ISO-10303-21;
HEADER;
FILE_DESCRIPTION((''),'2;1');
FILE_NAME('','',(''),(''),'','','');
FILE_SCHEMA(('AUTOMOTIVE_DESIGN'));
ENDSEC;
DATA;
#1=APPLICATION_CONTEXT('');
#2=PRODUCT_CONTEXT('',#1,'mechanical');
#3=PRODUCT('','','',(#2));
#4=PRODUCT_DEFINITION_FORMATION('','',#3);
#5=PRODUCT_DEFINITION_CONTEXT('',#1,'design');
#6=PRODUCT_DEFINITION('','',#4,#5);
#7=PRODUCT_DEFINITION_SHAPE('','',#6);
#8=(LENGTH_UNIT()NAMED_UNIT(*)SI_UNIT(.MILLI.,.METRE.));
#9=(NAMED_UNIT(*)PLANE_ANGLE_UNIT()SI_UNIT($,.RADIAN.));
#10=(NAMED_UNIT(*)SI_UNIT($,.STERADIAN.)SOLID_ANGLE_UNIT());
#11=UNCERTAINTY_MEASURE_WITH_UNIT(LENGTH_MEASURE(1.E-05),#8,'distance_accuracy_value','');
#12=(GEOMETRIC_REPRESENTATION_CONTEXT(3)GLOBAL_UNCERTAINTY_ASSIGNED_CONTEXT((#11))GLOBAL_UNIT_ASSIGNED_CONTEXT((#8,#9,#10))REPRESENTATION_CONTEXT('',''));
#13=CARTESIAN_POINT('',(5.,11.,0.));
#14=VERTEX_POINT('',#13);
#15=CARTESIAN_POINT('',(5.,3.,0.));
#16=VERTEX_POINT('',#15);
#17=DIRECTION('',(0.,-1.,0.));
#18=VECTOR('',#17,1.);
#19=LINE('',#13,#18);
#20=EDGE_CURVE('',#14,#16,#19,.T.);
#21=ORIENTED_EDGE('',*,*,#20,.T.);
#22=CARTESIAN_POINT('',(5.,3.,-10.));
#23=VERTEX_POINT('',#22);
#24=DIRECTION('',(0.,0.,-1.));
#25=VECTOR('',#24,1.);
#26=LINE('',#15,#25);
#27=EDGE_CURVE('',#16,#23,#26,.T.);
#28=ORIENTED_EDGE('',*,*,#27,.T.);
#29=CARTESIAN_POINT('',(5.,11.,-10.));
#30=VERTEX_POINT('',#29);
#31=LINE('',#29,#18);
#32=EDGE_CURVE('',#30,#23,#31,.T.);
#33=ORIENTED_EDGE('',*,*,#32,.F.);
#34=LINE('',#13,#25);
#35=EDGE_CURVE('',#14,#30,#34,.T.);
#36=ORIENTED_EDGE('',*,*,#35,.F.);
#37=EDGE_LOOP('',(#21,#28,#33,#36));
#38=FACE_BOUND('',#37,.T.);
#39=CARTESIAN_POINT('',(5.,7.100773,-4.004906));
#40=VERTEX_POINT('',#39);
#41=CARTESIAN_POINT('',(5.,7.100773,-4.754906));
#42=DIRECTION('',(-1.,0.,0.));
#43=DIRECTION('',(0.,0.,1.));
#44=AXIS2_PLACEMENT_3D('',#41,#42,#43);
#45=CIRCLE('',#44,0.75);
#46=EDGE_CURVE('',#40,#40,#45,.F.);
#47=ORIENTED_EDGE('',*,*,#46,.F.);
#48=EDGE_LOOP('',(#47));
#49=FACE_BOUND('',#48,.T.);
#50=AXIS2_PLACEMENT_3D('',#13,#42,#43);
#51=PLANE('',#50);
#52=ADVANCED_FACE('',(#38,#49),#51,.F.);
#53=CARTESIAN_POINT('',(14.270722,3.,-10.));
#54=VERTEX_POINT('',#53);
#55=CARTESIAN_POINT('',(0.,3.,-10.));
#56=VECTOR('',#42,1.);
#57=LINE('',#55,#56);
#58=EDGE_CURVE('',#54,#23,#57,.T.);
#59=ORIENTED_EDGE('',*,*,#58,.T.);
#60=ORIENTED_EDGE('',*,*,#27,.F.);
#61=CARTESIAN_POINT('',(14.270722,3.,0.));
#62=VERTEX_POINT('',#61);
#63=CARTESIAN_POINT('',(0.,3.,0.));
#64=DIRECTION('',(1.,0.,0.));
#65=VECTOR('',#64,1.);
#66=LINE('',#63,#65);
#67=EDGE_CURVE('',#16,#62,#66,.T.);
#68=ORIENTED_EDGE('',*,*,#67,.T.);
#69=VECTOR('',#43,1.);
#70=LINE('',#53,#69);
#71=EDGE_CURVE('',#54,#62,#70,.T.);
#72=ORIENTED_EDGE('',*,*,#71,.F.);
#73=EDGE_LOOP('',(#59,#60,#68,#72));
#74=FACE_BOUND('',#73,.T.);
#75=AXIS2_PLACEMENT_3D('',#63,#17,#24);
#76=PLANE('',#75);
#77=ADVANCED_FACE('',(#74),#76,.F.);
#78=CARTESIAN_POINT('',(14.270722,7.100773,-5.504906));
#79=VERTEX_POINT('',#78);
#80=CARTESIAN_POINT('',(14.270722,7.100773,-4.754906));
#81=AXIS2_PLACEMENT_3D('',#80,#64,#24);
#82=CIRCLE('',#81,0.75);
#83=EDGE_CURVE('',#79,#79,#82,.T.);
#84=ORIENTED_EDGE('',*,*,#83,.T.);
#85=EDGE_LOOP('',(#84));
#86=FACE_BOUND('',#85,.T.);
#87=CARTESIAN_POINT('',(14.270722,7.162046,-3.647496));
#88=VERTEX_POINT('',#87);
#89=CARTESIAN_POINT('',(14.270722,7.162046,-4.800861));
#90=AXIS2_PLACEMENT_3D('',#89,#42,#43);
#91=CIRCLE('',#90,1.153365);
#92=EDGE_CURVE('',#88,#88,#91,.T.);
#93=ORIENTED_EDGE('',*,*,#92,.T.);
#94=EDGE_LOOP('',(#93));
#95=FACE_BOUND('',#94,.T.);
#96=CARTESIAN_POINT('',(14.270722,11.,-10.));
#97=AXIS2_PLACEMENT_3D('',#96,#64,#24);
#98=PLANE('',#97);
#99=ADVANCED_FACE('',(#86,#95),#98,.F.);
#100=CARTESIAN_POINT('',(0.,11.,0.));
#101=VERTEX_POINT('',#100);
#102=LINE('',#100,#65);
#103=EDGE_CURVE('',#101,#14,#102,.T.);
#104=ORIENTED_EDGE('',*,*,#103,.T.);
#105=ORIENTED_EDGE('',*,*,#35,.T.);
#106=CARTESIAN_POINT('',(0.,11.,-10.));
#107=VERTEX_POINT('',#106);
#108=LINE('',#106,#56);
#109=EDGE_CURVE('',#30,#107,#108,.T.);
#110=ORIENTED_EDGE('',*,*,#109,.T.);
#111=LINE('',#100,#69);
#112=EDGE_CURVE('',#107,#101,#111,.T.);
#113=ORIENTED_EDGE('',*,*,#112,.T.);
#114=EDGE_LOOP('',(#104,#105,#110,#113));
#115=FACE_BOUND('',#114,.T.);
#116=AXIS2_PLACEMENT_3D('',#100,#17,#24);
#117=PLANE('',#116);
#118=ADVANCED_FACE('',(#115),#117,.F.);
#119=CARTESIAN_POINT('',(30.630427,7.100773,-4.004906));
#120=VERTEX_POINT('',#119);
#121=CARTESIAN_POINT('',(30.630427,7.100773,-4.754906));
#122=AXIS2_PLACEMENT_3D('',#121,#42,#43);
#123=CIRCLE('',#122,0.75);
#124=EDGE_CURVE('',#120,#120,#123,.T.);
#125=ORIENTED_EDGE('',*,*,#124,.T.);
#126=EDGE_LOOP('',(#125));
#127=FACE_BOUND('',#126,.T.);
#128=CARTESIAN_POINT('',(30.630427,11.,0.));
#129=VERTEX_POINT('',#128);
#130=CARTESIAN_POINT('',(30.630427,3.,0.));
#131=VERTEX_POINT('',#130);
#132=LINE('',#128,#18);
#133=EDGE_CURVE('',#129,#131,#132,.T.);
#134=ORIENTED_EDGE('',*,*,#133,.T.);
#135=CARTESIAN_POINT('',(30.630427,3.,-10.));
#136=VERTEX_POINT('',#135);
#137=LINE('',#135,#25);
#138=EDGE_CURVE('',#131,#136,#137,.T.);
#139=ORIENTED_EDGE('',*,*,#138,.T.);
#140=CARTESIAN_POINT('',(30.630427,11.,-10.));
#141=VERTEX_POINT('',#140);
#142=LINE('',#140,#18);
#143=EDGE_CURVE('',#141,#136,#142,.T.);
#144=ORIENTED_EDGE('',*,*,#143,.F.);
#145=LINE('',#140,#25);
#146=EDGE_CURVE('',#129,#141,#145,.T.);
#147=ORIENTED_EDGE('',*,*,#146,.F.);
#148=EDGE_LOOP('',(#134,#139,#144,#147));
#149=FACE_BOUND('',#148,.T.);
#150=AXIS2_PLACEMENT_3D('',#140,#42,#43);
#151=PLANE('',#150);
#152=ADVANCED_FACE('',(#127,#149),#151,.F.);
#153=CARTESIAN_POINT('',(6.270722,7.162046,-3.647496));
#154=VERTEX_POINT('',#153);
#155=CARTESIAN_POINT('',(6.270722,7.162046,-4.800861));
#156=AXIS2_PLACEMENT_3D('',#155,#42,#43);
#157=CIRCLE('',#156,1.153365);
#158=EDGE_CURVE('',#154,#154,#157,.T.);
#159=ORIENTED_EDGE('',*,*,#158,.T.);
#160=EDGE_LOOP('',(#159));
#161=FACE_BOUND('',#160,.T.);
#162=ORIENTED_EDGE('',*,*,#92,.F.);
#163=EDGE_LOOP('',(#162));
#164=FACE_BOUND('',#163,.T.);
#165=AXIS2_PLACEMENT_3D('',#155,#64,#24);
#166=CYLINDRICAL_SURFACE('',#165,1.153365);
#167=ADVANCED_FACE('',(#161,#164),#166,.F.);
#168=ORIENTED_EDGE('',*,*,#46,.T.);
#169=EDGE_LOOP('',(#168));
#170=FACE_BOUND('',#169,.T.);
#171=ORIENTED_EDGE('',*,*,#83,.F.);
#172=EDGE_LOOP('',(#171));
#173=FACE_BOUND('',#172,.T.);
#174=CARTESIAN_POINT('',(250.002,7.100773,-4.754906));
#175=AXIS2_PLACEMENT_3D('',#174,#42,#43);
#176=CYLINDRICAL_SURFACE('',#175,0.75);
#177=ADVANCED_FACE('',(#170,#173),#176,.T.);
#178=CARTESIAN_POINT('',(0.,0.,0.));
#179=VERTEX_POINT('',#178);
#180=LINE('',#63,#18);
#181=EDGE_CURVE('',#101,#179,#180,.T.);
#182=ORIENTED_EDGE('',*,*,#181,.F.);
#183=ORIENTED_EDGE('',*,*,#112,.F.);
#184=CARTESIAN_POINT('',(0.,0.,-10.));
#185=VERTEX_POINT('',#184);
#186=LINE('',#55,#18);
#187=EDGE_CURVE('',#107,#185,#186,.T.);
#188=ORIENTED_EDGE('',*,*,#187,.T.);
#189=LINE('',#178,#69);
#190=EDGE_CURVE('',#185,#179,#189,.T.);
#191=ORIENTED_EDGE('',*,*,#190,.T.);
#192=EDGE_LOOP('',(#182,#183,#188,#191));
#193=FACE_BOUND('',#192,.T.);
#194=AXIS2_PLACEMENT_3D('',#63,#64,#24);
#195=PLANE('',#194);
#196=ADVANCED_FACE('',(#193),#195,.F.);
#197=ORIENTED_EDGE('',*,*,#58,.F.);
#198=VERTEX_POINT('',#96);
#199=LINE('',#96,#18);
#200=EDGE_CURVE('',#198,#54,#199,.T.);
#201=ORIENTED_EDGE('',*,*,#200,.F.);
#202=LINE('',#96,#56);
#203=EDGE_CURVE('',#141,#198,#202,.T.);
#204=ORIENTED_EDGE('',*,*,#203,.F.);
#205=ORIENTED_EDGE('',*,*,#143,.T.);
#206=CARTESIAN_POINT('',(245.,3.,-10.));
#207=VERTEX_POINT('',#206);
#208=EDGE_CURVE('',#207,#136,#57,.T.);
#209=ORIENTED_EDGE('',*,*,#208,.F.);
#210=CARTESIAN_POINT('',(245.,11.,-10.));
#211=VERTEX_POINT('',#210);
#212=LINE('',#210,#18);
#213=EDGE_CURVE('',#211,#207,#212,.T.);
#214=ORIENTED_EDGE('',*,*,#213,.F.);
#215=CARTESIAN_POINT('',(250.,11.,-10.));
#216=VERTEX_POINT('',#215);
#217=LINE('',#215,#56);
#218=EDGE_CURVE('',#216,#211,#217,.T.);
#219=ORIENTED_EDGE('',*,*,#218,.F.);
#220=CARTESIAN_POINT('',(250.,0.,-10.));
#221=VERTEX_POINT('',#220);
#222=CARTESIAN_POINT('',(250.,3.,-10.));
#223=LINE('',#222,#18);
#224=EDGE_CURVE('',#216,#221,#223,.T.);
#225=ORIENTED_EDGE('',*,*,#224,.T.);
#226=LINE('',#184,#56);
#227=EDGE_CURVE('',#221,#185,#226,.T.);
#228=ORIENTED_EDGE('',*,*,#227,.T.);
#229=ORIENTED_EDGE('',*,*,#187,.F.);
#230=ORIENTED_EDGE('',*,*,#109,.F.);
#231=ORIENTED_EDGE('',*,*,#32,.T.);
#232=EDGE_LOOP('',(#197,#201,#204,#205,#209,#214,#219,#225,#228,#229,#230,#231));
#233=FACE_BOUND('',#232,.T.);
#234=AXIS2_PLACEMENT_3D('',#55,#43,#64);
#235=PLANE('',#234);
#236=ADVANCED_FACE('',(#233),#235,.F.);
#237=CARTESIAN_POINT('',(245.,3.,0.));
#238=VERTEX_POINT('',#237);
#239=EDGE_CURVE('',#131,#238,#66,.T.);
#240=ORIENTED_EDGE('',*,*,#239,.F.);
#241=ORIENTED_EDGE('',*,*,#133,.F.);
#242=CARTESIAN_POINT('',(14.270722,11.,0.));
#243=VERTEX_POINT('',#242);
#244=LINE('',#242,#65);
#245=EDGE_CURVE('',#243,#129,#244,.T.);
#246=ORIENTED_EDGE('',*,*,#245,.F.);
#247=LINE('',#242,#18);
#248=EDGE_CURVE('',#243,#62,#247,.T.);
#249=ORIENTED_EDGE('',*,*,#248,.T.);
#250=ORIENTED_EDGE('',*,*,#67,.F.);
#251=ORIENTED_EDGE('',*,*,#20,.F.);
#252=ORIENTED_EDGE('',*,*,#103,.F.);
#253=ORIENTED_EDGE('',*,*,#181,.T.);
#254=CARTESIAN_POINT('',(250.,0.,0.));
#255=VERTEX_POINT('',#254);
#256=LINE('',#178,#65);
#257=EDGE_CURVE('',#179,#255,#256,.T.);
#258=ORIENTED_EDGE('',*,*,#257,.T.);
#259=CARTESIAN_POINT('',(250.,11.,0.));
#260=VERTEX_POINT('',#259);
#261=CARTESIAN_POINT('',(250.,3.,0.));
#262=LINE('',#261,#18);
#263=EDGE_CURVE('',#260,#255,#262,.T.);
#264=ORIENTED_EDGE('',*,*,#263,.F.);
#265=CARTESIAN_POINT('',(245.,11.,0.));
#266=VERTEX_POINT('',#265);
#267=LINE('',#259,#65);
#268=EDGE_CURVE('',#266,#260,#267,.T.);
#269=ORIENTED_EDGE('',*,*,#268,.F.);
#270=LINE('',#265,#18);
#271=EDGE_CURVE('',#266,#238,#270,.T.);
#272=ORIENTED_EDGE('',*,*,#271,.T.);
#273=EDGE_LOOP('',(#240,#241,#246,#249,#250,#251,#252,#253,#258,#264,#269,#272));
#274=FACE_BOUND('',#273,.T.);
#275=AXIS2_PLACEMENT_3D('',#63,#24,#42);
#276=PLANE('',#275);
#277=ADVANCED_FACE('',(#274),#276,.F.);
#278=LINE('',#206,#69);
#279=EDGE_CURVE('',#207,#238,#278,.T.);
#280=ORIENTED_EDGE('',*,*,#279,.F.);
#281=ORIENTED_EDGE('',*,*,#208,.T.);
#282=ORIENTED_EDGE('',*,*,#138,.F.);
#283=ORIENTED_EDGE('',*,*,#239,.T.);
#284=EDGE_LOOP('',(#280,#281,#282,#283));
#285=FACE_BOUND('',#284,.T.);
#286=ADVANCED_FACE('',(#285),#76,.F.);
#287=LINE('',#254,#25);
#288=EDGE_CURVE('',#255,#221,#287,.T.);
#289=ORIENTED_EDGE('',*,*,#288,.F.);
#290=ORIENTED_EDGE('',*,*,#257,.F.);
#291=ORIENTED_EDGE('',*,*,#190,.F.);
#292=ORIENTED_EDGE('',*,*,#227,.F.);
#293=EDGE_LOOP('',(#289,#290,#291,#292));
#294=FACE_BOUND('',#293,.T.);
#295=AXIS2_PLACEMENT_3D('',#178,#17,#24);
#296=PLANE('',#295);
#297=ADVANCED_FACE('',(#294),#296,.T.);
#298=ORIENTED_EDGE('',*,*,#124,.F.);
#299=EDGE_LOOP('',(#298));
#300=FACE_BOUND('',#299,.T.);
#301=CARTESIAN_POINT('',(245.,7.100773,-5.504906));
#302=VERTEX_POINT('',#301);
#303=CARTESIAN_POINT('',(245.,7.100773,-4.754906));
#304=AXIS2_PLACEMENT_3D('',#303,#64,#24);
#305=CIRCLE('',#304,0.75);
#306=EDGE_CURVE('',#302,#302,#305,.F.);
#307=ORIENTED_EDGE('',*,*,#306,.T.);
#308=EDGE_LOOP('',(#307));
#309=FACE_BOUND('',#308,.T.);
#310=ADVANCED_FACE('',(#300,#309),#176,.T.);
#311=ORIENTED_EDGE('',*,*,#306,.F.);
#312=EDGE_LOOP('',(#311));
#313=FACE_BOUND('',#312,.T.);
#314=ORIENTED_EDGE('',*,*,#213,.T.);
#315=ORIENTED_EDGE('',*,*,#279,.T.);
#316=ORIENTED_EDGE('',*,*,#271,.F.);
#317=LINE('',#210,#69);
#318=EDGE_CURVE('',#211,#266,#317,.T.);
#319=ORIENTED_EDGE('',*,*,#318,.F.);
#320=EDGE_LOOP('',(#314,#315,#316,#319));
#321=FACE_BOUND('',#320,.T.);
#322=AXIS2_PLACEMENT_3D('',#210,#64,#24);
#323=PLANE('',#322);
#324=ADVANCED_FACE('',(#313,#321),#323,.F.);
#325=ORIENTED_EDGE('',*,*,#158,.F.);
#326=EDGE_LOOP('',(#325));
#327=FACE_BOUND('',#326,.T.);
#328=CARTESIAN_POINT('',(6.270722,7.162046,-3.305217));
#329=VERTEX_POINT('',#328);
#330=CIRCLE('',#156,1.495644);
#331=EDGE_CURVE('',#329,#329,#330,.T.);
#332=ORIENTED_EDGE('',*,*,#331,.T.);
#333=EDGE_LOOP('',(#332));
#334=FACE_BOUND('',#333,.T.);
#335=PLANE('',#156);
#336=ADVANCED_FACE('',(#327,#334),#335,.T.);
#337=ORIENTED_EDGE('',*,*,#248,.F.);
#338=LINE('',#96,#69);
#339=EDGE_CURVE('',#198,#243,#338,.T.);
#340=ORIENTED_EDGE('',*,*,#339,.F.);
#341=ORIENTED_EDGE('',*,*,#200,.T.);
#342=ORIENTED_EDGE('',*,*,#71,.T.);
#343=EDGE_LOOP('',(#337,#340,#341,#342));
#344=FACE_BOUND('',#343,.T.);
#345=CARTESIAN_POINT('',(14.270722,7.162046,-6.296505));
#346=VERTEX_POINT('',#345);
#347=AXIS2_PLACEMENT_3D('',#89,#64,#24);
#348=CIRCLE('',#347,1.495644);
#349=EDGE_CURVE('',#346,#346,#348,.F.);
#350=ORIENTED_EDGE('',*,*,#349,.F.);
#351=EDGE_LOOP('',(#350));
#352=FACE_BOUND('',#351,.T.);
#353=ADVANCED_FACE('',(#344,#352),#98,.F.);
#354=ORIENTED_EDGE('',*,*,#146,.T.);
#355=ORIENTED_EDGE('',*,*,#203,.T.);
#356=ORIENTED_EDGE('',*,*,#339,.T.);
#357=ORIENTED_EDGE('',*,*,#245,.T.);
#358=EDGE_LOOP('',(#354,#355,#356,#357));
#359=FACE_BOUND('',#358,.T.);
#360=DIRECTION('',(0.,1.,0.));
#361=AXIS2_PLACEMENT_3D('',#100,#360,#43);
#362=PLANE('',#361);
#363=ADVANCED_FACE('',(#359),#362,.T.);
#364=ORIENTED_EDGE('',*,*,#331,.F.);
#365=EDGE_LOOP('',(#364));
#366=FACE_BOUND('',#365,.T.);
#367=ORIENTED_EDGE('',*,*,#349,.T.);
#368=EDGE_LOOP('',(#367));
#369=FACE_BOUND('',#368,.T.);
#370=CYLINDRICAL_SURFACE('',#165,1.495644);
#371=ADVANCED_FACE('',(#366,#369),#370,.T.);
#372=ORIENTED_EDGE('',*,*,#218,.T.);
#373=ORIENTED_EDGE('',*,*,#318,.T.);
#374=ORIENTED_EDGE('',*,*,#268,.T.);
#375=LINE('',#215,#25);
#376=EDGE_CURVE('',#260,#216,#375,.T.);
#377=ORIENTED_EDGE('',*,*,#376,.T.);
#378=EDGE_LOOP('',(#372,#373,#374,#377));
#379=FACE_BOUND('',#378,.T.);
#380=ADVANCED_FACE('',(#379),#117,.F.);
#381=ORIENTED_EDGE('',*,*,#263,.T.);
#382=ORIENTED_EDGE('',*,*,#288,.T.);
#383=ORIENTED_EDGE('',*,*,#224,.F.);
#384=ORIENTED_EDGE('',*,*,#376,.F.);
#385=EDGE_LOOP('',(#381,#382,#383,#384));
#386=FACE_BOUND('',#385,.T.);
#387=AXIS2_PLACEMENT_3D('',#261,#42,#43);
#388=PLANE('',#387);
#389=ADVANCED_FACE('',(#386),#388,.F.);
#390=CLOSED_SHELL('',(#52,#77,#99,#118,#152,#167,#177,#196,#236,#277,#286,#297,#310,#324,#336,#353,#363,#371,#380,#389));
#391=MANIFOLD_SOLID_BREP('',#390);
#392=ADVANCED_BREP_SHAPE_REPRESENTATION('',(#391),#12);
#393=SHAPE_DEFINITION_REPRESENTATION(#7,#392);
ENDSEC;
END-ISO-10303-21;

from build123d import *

# Parameters (mm, degrees)
SKETCH2_W           = 250
SKETCH2_H           = 10
BOSS_EXTRUDE1_DEPTH = 3
SKETCH3_W           = 5
SKETCH3_H           = 10
BOSS_EXTRUDE2_DEPTH = 8
BOSS_EXTRUDE3_REACH = 247
SKETCH4_R           = 0.75
SKETCH5_W           = 16.35970525
SKETCH5_H           = 10
BOSS_EXTRUDE4_DEPTH = 8
SKETCH6_R           = 1.4956439
SKETCH6_R_2         = 1.153364649
BOSS_EXTRUDE5_DEPTH = 8


with BuildPart() as part:
    # Sketch2 → Boss-Extrude1 (new body)
    with BuildSketch(Plane(origin=(0, 0, 0), x_dir=(1, 0, 0), z_dir=(0, 1, 0))):
        with Locations((125, 5)):
            Rectangle(SKETCH2_W, SKETCH2_H)
    extrude(amount=BOSS_EXTRUDE1_DEPTH)

    # Sketch3 → Boss-Extrude2 (add)
    with BuildSketch(Plane(origin=(0, 3, 0), x_dir=(1, 0, 0), z_dir=(0, 1, 0))):
        with Locations((2.5, 5)):
            Rectangle(SKETCH3_W, SKETCH3_H)
        with Locations((247.5, 5)):
            Rectangle(SKETCH3_W, SKETCH3_H)
    extrude(amount=BOSS_EXTRUDE2_DEPTH)

    # Sketch4 → Boss-Extrude3 (add, up to next)
    with BuildSketch(Plane(origin=(5, 0, 0), x_dir=(0, 0, -1), z_dir=(1, 0, 0)), mode=Mode.PRIVATE) as boss_extrude3_sk1:
        with Locations((4.754905599, 7.100772806)):
            Circle(SKETCH4_R)
    boss_extrude3_tool1 = extrude(boss_extrude3_sk1.sketch, amount=BOSS_EXTRUDE3_REACH, mode=Mode.PRIVATE) - part.part
    add(boss_extrude3_tool1.solids().sort_by_distance((5, 7.100773, -4.754906))[0])

    # Sketch5 → Boss-Extrude4 (add)
    with BuildSketch(Plane(origin=(0, 3, 0), x_dir=(1, 0, 0), z_dir=(0, 1, 0))):
        with Locations((22.45057465, 5)):
            Rectangle(SKETCH5_W, SKETCH5_H)
    extrude(amount=BOSS_EXTRUDE4_DEPTH)

    # Sketch6 → Boss-Extrude5 (add)
    with BuildSketch(Plane.ZY.offset(-14.270722025)):
        with Locations((-4.800860799, 7.162046407)):
            Circle(SKETCH6_R)
        with Locations((-4.800860799, 7.162046407)):
            Circle(SKETCH6_R_2, mode=Mode.SUBTRACT)
    extrude(amount=BOSS_EXTRUDE5_DEPTH)


solid = part.part
